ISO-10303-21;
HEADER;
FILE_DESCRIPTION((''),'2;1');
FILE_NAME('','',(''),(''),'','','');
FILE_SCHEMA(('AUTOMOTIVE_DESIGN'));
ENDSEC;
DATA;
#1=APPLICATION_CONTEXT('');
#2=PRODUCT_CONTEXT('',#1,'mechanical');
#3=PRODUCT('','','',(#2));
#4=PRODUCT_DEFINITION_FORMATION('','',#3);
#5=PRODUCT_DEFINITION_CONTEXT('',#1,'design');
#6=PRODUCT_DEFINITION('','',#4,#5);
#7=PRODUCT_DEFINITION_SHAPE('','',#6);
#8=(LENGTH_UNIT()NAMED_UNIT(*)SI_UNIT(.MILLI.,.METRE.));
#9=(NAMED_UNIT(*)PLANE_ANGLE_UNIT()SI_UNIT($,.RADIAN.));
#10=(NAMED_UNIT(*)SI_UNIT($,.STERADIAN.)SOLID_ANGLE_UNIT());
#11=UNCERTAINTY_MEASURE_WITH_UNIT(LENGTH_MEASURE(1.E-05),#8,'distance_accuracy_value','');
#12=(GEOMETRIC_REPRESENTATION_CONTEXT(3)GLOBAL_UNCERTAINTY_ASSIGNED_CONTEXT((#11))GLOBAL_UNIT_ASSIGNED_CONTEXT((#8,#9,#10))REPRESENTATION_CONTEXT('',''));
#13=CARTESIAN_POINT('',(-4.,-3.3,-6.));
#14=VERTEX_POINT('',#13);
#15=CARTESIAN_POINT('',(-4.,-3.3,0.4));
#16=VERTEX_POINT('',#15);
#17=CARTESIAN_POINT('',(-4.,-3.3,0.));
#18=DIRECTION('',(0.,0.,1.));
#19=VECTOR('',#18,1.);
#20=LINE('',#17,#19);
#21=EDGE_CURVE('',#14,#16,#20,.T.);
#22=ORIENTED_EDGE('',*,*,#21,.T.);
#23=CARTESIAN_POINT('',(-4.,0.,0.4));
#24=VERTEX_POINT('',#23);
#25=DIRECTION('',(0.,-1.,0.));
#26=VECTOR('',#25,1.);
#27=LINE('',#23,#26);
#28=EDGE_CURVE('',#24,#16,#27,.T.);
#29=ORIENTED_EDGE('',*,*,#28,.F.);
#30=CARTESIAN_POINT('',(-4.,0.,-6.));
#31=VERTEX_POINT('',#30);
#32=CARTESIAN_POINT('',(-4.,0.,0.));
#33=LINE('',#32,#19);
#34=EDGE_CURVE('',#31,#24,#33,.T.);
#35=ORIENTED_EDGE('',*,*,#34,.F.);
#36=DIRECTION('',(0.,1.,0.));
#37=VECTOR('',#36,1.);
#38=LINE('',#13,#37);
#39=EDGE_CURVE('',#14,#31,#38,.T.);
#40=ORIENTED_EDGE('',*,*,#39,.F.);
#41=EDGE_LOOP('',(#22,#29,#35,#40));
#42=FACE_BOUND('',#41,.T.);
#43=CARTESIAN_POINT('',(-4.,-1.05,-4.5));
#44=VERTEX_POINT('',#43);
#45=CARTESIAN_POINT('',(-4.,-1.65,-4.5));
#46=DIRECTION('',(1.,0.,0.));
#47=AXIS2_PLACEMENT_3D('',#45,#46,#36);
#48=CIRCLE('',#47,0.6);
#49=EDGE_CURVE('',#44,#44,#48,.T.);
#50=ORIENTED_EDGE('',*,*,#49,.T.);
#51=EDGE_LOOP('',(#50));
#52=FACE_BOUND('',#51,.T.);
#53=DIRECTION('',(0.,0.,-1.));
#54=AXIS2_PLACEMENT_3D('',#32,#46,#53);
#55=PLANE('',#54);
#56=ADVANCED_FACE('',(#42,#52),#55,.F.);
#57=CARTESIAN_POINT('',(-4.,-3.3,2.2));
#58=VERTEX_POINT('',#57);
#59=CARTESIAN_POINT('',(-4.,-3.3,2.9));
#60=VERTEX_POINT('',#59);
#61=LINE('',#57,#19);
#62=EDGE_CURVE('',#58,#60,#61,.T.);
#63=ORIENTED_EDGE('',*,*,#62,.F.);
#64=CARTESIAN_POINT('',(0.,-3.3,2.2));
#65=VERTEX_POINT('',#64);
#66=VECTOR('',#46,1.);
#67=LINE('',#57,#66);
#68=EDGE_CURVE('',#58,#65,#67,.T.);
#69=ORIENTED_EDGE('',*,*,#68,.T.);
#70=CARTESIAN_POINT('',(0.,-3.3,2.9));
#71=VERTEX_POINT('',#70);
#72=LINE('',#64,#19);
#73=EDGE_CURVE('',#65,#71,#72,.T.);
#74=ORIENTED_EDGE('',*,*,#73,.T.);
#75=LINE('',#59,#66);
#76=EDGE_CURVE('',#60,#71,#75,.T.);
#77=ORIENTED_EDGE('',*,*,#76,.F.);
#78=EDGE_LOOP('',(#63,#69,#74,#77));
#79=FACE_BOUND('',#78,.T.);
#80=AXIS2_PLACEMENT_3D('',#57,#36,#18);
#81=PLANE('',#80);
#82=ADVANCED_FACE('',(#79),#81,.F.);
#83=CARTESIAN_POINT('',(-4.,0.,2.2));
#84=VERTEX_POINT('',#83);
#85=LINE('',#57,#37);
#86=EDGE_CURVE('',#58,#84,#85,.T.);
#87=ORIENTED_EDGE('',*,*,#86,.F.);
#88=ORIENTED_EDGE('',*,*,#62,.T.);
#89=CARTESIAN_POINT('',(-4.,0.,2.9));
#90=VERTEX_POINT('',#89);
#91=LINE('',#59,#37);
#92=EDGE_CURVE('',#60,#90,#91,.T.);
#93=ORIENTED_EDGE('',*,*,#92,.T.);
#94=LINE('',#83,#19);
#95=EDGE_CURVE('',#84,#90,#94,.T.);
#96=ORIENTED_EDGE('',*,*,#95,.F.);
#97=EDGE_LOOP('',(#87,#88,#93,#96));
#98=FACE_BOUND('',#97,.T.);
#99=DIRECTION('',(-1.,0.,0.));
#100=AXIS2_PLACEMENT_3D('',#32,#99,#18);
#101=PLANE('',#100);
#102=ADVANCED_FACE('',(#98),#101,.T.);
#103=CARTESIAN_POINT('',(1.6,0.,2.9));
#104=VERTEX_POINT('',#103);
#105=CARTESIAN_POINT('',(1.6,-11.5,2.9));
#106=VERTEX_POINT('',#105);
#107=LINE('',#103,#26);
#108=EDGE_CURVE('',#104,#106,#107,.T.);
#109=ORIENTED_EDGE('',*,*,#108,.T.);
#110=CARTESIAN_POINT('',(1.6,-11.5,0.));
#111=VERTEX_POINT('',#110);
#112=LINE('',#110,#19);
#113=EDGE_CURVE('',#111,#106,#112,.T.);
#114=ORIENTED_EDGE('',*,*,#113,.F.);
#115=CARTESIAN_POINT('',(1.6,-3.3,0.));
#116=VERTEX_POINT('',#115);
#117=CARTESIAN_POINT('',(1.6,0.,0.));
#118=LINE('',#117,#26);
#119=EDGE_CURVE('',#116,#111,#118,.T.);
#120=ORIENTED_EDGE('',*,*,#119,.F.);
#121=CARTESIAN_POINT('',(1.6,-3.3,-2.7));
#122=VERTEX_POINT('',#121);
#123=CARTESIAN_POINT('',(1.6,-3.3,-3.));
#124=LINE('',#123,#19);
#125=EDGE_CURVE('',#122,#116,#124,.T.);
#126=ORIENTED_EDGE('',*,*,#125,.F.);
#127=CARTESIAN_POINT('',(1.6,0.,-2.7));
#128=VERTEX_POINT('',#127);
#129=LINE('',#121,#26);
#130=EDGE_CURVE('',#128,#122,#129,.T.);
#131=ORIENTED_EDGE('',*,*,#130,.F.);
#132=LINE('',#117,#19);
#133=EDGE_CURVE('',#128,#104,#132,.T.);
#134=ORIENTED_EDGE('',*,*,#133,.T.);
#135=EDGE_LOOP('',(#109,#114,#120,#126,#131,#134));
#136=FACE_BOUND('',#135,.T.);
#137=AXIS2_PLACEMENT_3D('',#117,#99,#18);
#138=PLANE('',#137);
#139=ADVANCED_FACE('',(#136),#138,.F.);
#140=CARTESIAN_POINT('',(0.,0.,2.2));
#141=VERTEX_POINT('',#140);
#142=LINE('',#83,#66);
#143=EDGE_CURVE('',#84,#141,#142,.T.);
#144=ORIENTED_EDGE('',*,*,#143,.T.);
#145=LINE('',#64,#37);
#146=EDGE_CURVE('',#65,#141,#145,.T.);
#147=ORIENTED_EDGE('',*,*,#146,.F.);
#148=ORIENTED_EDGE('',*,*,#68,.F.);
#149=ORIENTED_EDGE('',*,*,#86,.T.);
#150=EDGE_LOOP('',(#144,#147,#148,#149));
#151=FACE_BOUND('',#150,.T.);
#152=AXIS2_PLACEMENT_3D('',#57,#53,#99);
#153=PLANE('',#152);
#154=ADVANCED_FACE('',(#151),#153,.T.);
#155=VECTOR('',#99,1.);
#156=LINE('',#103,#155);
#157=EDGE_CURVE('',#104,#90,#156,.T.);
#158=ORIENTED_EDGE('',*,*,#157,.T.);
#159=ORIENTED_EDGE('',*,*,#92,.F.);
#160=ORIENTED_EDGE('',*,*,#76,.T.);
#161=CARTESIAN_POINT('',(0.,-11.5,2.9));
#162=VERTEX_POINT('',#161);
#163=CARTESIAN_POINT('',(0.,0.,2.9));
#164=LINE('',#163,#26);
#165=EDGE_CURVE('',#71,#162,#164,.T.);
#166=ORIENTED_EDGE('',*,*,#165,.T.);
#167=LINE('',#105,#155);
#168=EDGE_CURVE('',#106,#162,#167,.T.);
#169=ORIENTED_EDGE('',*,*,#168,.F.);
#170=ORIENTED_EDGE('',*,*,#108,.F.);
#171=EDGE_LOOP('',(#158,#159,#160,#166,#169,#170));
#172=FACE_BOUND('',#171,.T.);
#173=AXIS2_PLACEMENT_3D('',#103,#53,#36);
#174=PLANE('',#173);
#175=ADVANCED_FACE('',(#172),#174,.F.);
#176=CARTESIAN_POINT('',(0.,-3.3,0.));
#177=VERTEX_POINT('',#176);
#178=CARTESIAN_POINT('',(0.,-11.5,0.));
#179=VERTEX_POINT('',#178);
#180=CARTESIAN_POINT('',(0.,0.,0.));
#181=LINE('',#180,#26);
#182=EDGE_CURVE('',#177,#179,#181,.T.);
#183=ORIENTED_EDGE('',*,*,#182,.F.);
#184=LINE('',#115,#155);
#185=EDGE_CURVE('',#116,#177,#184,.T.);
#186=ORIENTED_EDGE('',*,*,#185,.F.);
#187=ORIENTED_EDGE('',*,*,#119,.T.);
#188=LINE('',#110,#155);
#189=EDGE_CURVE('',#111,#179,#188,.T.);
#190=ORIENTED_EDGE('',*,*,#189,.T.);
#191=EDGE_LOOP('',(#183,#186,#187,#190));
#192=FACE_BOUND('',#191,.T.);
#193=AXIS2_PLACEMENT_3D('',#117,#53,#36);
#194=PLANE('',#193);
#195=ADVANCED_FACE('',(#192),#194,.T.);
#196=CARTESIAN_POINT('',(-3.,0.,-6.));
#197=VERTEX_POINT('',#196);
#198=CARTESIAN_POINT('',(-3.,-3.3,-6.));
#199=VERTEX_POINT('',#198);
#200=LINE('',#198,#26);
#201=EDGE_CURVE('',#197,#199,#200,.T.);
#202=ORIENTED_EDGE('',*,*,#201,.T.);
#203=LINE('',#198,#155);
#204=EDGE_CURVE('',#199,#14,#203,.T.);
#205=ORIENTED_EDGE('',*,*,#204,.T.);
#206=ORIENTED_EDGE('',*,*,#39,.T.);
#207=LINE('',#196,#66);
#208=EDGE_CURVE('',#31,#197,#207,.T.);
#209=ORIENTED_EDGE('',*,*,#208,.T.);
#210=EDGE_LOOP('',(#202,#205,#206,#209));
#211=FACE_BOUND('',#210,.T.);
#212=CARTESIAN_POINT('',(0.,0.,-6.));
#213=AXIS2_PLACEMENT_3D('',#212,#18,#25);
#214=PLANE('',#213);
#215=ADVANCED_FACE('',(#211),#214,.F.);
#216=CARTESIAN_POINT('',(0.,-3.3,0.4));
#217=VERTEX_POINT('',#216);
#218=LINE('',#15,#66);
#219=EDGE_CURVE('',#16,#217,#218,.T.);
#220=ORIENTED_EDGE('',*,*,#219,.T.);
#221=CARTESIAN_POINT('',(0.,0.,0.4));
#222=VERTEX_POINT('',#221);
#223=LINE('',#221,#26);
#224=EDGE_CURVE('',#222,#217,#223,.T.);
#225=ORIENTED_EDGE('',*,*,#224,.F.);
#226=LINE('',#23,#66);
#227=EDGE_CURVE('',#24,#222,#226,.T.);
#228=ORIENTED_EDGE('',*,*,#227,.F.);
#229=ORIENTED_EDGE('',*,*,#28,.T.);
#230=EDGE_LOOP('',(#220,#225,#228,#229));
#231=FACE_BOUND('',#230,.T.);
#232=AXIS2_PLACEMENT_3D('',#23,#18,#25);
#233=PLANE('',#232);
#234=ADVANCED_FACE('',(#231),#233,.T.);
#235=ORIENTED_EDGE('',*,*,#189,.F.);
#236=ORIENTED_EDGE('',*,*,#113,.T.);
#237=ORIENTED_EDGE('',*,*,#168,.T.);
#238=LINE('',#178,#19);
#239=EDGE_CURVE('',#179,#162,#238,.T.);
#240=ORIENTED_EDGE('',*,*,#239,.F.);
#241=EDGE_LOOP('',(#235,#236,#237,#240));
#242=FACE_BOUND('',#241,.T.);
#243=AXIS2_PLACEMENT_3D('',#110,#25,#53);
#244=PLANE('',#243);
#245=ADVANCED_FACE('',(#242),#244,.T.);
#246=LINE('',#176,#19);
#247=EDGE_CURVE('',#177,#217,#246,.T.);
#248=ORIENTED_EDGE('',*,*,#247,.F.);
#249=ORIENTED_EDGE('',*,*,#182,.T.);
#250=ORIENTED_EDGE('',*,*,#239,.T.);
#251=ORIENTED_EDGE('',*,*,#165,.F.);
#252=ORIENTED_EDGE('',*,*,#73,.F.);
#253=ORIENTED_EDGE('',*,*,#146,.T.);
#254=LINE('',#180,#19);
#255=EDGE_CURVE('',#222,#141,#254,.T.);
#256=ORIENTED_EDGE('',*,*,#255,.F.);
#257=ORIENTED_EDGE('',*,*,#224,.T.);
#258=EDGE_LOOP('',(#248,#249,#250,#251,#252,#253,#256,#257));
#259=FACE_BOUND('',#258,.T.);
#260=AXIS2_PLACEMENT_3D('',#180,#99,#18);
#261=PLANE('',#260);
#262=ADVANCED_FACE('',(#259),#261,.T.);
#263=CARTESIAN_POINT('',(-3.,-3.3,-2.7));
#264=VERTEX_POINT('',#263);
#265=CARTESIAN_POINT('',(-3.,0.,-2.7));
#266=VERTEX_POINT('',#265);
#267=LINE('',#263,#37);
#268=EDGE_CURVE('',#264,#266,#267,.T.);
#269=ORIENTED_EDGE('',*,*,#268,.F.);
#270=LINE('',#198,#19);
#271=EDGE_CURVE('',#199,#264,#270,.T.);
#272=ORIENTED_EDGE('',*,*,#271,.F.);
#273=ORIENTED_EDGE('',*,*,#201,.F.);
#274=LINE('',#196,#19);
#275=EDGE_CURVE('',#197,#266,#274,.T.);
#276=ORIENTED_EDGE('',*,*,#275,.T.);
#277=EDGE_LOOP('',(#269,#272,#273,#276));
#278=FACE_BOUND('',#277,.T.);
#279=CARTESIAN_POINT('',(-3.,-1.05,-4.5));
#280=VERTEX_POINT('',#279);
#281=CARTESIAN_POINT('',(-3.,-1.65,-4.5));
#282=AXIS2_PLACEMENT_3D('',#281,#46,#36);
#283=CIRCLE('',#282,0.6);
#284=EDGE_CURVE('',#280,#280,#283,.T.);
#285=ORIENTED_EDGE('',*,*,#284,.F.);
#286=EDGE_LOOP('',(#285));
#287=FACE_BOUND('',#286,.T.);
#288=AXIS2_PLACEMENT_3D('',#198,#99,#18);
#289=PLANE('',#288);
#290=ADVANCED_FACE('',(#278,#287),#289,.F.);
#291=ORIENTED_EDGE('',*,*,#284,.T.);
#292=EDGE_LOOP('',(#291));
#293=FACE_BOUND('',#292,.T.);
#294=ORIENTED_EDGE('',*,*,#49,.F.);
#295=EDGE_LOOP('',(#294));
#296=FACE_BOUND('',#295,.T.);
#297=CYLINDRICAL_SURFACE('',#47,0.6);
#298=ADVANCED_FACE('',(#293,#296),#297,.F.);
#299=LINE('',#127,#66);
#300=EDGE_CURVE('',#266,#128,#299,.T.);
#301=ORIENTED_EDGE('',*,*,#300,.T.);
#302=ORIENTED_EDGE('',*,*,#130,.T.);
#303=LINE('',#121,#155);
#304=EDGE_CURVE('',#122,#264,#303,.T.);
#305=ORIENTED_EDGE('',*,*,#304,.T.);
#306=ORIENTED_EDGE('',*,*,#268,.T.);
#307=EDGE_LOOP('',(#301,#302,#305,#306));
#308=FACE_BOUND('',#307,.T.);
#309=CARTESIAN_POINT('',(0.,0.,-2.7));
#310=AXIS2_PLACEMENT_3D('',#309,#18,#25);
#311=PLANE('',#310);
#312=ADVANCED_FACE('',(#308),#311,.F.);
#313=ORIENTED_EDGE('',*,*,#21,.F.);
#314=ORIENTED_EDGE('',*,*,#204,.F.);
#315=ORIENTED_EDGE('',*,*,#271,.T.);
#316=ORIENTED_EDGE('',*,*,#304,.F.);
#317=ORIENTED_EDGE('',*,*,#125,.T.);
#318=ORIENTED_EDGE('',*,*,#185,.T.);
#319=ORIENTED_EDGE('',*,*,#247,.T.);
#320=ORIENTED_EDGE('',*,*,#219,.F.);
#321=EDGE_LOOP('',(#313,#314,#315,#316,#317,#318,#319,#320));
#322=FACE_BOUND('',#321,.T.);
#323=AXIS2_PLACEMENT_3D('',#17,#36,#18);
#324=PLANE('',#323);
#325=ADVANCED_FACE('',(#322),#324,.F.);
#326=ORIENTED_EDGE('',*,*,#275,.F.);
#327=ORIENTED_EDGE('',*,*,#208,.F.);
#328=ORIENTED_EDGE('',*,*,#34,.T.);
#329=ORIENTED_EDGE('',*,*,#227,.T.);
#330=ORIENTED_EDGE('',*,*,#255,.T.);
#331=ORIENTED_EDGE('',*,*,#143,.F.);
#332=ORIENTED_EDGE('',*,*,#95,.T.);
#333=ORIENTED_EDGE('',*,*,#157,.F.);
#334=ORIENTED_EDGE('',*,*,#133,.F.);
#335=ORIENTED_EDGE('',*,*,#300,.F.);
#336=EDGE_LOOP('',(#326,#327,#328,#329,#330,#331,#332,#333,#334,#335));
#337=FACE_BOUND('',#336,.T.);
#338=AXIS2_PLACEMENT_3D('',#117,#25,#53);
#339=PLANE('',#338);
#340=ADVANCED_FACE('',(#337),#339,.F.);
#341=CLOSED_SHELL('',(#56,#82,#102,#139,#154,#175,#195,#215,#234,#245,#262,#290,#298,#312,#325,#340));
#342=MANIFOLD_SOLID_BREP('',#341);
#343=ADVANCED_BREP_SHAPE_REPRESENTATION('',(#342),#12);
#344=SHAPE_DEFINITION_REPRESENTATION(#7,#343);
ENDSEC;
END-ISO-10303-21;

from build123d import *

# Parameters (mm, degrees)
SKETCH_1_W          = 2.9
SKETCH_1_H          = 11.5
EXTRUDE_1_DEPTH     = 1.6
SKETCH_2_W          = 0.7
SKETCH_2_H          = 3.3
SKETCH_2_W_2        = 0.4
EXTRUDE_2_DEPTH     = 4
SKETCH_3_W          = 5.6
SKETCH_3_H          = 3.3
EXTRUDE_3_DEPTH     = 3
SKETCH_4_W          = 1
SKETCH_4_H          = 3.3
EXTRUDE_4_DEPTH     = 3
SKETCH_5_R          = 0.6
CUT_EXTRUDE_1_DEPTH = 14.762630563
SKETCH_6_W          = 4.6
SKETCH_6_H          = 3.3
CUT_EXTRUDE_2_DEPTH = 0.3


with BuildPart() as part:
    # 草图1 → 凸台-拉伸1 (new body)
    with BuildSketch(Plane(origin=(0, 0, 0), x_dir=(0, 0, -1), z_dir=(1, 0, 0))):
        with Locations((-1.45, -5.75)):
            Rectangle(SKETCH_1_W, SKETCH_1_H)
    extrude(amount=EXTRUDE_1_DEPTH)

    # 草图2 → 凸台-拉伸2 (add)
    with BuildSketch(Plane.ZY):
        with Locations((2.55, -1.65)):
            Rectangle(SKETCH_2_W, SKETCH_2_H)
        with Locations((0.2, -1.65)):
            Rectangle(SKETCH_2_W_2, SKETCH_2_H)
    extrude(amount=EXTRUDE_2_DEPTH)

    # 草图3 → 凸台-拉伸3 (add)
    with BuildSketch(Plane(origin=(0, 0, 0), x_dir=(-1, 0, 0), z_dir=(0, 0, -1))):
        with Locations((1.2, -1.65)):
            Rectangle(SKETCH_3_W, SKETCH_3_H)
    extrude(amount=EXTRUDE_3_DEPTH)

    # 草图4 → 凸台-拉伸4 (add)
    with BuildSketch(Plane(origin=(0, 0, -3), x_dir=(-1, 0, 0), z_dir=(0, 0, -1))):
        with Locations((3.5, -1.65)):
            Rectangle(SKETCH_4_W, SKETCH_4_H)
    extrude(amount=EXTRUDE_4_DEPTH)

    # 草图5 → 切除-拉伸1 (cut, through all)
    with BuildSketch(Plane(origin=(-3, 0, 0), x_dir=(0, 0, -1), z_dir=(1, 0, 0))):
        with Locations(Location((4.5, -1.65, 0), (0, 0, 90))):
            Circle(SKETCH_5_R)
    extrude(amount=-CUT_EXTRUDE_1_DEPTH, mode=Mode.SUBTRACT)

    # 草图6 → 切除-拉伸2 (cut)
    with BuildSketch(Plane(origin=(0, 0, -3), x_dir=(-1, 0, 0), z_dir=(0, 0, -1))):
        with Locations((0.7, -1.65)):
            Rectangle(SKETCH_6_W, SKETCH_6_H)
    extrude(amount=-CUT_EXTRUDE_2_DEPTH, mode=Mode.SUBTRACT)


solid = part.part
